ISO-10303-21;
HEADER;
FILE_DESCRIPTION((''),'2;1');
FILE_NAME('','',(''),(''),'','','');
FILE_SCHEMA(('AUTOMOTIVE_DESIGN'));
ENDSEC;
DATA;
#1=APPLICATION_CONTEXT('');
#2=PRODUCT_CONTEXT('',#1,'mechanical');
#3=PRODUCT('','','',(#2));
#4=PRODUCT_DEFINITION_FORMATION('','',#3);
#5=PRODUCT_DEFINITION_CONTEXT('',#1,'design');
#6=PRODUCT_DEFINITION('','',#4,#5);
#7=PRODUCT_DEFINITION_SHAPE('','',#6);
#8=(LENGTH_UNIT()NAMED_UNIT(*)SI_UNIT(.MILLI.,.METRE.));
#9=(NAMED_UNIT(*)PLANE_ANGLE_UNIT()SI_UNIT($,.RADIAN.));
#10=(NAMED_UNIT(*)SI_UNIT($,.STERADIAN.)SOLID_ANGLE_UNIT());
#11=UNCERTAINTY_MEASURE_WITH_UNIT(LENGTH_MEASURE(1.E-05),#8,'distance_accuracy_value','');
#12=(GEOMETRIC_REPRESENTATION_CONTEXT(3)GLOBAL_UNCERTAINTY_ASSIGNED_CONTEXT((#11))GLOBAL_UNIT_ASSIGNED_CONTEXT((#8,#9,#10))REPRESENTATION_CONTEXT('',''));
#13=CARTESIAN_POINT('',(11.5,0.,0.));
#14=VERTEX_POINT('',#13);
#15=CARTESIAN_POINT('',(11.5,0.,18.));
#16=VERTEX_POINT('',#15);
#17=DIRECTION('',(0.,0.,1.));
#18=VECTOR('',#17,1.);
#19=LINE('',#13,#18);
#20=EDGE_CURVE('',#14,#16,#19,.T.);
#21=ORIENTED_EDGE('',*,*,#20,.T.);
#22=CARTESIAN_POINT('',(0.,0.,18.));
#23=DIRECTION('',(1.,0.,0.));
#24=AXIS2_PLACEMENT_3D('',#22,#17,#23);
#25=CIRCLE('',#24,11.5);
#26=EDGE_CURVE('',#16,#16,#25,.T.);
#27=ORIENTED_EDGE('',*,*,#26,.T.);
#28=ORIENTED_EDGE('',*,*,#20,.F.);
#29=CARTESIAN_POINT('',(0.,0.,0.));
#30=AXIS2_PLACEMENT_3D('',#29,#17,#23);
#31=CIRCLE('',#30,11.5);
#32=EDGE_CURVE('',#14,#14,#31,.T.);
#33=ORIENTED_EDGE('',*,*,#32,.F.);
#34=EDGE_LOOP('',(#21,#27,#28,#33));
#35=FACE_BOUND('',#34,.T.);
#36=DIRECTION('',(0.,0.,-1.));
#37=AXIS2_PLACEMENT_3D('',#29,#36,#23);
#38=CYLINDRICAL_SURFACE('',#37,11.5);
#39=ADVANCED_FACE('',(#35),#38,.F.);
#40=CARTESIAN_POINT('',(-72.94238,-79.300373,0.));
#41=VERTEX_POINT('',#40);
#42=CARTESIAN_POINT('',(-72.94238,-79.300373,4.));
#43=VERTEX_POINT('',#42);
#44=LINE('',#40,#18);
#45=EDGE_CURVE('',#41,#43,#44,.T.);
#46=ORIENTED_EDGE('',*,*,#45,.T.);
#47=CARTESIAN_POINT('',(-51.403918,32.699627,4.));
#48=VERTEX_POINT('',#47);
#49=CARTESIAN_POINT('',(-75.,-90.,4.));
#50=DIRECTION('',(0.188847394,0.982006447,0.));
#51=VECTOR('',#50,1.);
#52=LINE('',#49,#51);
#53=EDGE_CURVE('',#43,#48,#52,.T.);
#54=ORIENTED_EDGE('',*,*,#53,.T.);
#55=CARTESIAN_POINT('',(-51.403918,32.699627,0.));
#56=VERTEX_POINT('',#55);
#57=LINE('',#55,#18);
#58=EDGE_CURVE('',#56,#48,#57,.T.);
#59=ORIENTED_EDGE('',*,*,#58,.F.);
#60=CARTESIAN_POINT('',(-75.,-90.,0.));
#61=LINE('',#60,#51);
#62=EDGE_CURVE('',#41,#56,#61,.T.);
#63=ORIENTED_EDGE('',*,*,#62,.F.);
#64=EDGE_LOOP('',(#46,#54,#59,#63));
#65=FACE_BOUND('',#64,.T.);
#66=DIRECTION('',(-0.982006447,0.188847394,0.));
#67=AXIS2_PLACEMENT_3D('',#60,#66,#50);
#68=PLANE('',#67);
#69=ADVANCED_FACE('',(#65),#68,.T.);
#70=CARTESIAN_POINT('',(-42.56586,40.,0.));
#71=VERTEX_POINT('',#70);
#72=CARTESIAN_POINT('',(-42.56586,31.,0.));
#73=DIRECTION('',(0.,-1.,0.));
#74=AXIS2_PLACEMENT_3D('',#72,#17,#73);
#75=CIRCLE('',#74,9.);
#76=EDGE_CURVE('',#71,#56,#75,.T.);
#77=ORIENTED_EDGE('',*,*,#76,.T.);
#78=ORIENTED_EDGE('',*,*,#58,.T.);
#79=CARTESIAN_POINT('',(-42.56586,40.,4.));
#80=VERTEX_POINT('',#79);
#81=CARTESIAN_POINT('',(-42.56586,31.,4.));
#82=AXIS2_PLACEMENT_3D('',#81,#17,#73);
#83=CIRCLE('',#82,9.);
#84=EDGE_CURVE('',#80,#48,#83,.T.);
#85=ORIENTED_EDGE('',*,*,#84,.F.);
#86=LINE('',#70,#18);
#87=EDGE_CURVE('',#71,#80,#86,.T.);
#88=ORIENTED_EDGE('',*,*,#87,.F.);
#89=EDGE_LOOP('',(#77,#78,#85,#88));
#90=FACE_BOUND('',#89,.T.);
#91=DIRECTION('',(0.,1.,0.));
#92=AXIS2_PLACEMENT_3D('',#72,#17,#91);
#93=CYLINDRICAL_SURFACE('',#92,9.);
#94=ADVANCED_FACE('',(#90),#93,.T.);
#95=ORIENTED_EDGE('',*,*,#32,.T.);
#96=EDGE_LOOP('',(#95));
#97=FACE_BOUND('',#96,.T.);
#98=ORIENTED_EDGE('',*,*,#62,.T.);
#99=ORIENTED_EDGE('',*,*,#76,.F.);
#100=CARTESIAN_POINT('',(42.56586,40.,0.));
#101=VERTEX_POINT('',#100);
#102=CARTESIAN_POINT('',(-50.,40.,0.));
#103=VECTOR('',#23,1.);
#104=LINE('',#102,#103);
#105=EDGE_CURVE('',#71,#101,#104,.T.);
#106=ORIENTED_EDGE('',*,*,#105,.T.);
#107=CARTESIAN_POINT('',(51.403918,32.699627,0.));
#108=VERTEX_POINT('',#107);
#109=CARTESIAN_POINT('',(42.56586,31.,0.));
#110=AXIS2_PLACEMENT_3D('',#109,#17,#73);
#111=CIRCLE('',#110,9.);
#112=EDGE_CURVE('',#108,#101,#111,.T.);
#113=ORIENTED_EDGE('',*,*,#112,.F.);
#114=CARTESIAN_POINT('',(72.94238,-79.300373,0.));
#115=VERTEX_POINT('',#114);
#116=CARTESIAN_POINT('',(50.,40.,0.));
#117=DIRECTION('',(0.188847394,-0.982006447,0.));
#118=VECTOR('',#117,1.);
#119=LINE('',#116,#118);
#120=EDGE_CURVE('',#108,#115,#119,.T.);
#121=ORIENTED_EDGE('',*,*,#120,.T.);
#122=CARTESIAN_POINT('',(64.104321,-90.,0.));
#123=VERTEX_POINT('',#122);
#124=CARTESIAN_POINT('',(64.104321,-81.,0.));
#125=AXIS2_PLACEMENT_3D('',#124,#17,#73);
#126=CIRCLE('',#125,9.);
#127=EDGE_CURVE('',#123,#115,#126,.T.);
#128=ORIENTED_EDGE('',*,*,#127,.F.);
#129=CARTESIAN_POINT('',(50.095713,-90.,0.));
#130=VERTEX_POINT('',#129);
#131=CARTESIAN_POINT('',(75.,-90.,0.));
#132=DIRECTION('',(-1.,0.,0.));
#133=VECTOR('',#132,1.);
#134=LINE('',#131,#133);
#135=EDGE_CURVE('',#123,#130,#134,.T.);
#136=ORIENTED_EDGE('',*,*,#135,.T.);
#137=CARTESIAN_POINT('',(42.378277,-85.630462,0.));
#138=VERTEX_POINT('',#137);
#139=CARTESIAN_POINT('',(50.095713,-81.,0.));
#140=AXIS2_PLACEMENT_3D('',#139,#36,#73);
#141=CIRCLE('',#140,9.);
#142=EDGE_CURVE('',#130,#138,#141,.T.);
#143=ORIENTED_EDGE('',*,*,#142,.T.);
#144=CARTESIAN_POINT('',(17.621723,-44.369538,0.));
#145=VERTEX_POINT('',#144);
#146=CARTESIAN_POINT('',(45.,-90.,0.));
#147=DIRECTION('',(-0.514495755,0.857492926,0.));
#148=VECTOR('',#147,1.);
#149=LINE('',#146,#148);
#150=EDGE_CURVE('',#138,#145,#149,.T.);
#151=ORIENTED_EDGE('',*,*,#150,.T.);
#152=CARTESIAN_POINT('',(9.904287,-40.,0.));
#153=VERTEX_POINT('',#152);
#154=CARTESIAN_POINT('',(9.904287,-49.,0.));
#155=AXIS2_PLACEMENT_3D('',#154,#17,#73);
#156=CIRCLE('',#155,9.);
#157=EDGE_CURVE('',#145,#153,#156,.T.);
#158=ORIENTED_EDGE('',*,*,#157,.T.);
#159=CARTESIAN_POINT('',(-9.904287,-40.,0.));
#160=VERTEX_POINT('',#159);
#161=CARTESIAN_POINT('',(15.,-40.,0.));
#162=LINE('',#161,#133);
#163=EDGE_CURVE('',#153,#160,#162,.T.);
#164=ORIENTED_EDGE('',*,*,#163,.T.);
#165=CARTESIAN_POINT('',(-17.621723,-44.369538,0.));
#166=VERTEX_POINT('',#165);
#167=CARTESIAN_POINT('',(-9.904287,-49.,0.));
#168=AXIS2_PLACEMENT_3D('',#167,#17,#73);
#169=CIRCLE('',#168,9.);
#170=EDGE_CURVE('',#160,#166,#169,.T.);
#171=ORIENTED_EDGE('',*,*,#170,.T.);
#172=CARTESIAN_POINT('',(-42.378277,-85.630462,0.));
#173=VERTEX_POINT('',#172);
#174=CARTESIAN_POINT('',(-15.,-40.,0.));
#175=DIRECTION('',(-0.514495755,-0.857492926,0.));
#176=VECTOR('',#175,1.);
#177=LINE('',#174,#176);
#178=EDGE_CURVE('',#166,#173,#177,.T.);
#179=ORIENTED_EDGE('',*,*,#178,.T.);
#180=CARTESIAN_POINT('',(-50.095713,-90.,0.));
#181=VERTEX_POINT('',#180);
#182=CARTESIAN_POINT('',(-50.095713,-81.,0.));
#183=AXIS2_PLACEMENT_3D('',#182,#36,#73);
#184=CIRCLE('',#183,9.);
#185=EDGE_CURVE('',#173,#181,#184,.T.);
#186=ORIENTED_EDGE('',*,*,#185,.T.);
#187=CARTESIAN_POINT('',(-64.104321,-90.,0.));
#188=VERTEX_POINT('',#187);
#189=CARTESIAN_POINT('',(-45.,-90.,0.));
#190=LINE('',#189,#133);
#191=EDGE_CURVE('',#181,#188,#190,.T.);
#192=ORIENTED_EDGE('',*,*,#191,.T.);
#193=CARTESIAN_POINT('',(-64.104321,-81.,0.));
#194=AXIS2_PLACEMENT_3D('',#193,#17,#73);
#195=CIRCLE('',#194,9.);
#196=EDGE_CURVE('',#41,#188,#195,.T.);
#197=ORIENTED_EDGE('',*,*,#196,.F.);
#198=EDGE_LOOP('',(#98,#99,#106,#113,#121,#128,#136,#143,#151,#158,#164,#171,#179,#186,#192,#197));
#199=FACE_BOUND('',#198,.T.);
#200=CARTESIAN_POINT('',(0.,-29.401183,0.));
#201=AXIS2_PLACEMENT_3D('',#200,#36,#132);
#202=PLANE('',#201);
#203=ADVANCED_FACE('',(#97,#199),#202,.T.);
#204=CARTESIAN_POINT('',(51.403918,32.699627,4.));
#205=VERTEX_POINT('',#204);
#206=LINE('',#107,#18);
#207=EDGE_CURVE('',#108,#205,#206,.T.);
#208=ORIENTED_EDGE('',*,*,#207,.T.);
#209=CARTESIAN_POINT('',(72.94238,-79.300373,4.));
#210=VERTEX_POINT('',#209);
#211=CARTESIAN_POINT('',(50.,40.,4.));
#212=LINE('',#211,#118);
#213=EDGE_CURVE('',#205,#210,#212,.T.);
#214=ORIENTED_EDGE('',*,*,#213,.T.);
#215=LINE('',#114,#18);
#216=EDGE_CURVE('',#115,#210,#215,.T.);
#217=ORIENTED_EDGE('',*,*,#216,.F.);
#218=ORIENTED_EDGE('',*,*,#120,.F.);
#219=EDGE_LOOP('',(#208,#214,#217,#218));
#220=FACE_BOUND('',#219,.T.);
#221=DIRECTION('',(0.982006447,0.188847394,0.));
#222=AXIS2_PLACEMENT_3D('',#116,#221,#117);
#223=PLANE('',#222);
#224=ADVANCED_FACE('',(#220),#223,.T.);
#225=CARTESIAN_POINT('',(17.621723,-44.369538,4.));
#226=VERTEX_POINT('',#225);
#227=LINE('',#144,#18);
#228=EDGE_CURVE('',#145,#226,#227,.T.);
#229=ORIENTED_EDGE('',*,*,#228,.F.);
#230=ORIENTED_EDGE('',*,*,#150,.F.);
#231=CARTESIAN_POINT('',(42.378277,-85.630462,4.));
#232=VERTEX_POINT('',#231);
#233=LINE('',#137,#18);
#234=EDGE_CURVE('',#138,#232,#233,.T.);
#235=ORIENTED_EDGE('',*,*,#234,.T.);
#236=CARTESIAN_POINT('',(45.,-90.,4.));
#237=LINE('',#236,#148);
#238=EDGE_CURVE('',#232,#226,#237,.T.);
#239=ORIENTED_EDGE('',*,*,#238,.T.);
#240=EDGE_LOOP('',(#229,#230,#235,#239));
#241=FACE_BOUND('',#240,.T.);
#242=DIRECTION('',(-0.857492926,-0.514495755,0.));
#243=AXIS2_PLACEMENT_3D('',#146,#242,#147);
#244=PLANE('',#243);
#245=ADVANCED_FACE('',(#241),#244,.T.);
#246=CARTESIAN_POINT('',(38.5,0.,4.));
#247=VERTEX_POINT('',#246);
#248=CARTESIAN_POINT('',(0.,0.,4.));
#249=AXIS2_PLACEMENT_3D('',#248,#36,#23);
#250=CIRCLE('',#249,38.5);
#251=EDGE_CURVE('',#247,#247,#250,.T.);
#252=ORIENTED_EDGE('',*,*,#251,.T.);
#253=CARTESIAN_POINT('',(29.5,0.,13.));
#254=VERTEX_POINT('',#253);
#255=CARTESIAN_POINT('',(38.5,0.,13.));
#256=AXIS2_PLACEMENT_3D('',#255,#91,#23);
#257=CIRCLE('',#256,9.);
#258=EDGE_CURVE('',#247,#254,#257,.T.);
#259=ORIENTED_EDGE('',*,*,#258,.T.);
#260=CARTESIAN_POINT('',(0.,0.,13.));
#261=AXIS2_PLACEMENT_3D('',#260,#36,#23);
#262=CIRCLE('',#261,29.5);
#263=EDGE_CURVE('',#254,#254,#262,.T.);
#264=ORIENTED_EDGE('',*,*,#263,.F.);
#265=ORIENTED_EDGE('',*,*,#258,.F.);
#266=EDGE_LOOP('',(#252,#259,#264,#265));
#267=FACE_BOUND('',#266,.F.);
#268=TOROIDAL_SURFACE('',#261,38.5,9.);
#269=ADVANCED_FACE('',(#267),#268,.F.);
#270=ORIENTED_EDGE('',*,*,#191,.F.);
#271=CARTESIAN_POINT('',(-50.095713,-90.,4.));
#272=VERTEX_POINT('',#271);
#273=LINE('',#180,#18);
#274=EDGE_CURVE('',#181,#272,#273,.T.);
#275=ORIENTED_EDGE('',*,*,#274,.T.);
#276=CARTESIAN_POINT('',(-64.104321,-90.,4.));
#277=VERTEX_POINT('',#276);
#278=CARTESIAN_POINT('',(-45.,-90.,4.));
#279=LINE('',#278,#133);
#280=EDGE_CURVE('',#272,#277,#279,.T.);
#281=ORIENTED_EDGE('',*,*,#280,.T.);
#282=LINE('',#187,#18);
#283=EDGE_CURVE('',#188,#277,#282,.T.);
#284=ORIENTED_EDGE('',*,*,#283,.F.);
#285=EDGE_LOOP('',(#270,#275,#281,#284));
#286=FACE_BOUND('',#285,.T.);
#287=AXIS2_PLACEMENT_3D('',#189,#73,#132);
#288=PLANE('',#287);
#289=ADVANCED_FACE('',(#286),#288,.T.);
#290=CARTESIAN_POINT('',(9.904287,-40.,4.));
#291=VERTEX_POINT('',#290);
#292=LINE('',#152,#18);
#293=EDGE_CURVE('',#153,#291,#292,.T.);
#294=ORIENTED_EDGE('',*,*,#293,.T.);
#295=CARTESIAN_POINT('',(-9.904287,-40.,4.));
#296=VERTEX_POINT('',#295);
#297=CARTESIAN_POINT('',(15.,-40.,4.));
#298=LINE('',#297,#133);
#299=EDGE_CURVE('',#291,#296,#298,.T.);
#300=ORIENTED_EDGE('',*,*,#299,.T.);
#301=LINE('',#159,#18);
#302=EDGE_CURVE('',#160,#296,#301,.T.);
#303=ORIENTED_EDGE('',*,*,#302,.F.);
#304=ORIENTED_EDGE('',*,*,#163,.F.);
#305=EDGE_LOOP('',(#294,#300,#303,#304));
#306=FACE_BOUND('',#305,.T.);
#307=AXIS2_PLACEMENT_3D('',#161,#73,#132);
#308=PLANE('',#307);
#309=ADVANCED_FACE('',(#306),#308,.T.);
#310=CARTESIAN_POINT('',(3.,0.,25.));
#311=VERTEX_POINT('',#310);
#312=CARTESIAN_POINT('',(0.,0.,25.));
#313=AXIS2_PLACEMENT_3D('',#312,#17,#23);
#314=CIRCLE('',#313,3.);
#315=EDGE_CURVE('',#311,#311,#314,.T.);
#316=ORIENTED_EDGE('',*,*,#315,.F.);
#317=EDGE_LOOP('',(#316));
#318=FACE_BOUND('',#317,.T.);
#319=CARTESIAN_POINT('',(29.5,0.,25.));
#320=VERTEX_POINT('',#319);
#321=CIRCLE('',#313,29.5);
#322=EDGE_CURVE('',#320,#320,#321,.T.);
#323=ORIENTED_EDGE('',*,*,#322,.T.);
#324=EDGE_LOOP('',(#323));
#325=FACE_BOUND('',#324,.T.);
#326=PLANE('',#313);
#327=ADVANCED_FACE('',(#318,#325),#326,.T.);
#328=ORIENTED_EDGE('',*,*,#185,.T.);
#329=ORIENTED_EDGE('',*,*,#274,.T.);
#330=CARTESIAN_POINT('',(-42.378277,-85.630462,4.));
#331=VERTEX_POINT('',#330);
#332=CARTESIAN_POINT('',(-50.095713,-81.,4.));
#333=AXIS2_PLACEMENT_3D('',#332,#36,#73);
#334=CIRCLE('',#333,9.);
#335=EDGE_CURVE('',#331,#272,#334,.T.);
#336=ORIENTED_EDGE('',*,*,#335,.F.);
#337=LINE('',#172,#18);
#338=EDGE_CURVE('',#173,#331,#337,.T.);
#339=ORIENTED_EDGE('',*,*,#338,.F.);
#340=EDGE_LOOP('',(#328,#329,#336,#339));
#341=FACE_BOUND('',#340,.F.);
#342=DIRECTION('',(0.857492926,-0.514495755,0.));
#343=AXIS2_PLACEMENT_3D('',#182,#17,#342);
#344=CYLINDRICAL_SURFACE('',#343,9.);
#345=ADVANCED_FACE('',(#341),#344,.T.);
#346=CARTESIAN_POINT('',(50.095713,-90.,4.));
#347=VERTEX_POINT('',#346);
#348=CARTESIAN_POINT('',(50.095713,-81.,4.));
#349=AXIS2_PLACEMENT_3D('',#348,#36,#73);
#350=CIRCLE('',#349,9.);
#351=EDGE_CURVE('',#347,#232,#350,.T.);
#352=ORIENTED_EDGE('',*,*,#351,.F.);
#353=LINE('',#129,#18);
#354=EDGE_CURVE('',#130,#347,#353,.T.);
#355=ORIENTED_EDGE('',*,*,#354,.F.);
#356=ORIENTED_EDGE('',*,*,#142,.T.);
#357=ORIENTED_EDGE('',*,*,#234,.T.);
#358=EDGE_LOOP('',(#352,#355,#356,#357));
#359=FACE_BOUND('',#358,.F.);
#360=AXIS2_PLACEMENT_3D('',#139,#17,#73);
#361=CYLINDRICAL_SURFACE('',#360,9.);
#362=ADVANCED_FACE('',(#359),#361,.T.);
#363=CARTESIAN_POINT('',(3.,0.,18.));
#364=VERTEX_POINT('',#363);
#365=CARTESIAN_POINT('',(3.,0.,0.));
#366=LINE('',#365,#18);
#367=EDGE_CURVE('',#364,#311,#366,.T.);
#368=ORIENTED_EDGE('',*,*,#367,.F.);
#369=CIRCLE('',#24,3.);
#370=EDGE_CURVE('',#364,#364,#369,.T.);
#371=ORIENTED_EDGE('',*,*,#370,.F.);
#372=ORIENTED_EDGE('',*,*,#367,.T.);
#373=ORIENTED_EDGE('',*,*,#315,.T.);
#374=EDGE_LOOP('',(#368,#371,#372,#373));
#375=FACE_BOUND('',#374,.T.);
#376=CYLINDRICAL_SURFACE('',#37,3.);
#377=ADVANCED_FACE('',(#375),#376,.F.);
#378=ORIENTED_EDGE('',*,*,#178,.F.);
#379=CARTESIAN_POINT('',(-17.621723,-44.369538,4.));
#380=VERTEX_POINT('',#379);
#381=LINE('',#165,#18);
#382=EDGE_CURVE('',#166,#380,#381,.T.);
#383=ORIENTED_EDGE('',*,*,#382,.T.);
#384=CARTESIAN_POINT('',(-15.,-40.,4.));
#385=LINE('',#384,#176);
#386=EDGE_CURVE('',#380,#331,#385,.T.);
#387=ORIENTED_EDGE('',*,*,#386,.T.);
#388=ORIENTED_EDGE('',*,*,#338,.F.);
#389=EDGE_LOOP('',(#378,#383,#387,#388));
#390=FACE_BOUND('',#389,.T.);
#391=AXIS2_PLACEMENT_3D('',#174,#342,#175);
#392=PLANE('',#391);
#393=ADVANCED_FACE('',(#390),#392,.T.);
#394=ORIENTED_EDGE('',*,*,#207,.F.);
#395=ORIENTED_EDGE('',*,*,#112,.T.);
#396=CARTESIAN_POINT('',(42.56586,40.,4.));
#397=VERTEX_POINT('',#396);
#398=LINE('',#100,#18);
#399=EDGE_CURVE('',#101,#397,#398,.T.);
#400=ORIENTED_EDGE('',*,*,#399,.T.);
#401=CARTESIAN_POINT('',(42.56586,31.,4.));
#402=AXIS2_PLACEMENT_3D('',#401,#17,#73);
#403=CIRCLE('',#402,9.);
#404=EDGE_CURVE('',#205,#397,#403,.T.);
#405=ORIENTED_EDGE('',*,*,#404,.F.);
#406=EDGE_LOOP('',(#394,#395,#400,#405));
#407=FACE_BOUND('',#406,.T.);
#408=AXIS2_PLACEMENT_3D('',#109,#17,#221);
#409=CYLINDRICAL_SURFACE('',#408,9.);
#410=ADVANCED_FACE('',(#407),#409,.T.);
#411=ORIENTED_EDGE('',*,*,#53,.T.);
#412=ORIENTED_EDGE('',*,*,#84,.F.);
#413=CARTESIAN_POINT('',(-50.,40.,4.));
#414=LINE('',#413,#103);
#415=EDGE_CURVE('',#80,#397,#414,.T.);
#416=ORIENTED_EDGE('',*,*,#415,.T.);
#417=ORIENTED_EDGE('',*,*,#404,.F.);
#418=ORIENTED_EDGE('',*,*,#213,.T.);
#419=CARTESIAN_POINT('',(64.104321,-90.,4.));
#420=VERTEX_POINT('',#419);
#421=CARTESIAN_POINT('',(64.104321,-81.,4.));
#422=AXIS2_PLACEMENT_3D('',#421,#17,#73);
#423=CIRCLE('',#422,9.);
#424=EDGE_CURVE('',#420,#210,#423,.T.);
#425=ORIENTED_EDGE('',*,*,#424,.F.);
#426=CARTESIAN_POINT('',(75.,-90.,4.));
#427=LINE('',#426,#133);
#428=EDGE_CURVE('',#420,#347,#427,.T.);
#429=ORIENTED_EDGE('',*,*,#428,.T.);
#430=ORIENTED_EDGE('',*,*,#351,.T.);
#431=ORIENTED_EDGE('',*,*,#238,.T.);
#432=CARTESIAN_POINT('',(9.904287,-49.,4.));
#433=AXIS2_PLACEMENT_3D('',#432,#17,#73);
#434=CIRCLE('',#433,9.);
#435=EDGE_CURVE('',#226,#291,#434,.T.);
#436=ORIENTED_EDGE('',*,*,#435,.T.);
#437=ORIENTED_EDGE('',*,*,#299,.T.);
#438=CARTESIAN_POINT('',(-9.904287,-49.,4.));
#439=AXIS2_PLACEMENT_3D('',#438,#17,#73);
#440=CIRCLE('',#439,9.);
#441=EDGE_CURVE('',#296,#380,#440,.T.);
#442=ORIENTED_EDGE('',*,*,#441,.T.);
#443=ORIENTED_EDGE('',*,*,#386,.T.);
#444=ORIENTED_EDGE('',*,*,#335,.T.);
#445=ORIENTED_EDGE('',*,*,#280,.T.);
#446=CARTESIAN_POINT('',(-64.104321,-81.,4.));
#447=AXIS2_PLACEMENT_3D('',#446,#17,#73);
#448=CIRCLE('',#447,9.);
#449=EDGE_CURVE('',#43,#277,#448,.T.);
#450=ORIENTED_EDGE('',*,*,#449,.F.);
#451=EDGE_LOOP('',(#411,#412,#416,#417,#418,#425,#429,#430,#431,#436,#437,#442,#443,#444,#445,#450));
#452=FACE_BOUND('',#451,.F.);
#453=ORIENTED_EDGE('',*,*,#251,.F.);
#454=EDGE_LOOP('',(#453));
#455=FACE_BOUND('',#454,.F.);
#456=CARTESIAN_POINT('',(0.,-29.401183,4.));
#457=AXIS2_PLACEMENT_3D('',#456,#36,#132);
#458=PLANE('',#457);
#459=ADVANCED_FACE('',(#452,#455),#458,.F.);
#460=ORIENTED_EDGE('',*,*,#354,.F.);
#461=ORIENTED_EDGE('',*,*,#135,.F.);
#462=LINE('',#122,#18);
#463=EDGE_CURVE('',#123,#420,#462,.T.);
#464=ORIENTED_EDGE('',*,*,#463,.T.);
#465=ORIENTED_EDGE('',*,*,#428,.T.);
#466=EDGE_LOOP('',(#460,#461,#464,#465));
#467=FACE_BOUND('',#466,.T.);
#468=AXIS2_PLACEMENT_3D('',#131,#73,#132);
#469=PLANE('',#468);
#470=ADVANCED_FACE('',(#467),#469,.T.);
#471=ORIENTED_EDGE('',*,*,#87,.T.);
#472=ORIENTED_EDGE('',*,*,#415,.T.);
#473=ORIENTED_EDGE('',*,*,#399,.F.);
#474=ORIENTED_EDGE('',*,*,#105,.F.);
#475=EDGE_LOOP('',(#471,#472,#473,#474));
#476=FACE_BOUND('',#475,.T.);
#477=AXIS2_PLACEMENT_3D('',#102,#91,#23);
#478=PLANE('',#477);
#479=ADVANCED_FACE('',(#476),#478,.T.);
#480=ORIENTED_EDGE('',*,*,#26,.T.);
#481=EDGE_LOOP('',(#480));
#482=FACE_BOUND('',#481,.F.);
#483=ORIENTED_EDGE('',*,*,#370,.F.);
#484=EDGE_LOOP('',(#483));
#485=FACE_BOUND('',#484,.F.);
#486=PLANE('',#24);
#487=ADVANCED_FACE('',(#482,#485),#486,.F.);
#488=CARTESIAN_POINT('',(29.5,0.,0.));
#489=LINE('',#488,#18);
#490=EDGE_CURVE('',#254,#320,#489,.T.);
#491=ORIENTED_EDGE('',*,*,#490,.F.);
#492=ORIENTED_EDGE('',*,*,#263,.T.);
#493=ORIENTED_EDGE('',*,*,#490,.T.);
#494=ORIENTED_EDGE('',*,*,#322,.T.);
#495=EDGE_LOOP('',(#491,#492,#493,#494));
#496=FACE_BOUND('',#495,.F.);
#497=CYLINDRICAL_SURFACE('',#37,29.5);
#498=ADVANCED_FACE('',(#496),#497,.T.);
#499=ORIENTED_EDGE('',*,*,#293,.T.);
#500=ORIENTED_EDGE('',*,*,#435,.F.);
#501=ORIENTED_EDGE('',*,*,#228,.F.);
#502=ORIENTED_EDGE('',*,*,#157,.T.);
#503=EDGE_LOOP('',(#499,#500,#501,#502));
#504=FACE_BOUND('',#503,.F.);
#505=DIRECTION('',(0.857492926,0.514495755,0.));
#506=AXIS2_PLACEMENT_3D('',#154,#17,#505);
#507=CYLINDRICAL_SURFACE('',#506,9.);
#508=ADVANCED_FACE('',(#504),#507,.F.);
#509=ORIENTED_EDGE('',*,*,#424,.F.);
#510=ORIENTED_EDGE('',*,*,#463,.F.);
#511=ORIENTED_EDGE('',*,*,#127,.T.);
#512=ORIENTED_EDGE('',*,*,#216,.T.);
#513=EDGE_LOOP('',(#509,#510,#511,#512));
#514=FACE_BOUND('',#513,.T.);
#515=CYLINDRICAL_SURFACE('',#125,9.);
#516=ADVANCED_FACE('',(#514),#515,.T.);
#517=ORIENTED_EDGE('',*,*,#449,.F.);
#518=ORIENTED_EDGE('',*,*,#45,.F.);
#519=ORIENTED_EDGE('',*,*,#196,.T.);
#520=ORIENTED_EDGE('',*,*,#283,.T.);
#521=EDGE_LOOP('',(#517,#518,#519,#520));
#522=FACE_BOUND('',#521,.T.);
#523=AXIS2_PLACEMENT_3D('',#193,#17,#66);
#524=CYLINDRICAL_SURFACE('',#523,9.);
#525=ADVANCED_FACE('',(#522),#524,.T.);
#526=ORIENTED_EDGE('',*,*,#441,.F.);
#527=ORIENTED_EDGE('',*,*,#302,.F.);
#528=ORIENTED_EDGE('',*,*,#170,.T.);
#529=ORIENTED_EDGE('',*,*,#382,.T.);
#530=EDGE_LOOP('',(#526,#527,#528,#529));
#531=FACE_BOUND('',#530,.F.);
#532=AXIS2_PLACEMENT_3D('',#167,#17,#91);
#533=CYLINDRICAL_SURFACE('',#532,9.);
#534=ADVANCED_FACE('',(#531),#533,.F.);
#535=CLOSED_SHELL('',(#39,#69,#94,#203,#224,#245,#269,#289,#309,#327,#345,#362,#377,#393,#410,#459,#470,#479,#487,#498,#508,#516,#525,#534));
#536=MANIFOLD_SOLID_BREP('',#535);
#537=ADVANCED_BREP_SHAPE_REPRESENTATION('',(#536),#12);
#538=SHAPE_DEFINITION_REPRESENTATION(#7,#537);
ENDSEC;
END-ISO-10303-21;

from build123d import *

# Parameters (mm, degrees)
SKETCH_R      = 3
PAD_DEPTH     = 4
SKETCH001_R   = 29.5
SKETCH001_R_2 = 3
PAD001_DEPTH  = 25
SKETCH002_R   = 11.5
SKETCH002_R_2 = 3
POCKET_DEPTH  = 18
FILLET_R      = 9
FILLET001_R   = 9


with BuildPart() as part:
    # Sketch → Pad (new body)
    with BuildSketch(Plane.XY):
        Polygon((75, -90), (45, -90), (15, -40), (-15, -40), (-45, -90), (-75, -90), (-50, 40), (50, 40), align=None)
        Circle(SKETCH_R, mode=Mode.SUBTRACT)
    extrude(amount=PAD_DEPTH)

    # Sketch001 → Pad001 (join)
    with BuildSketch(Plane.XY):
        Circle(SKETCH001_R)
        Circle(SKETCH001_R_2, mode=Mode.SUBTRACT)
    extrude(amount=PAD001_DEPTH)

    # Sketch002 → Pocket (cut)
    with BuildSketch(Plane.XY):
        Circle(SKETCH002_R)
        Circle(SKETCH002_R_2, mode=Mode.SUBTRACT)
    extrude(amount=POCKET_DEPTH, mode=Mode.SUBTRACT)

    # Fillet
    fillet_edges = [part.edges().sort_by_distance(p)[0] for p in [
        (-29.5, 0, 4),
    ]]
    fillet(fillet_edges, radius=FILLET_R)

    # Fillet001
    fillet001_edges = [part.edges().sort_by_distance(p)[0] for p in [
        (-75, -90, 2),
        (-45, -90, 2),
        (-15, -40, 2),
        (15, -40, 2),
        (45, -90, 2),
        (75, -90, 2),
        (50, 40, 2),
        (-50, 40, 2),
    ]]
    fillet(fillet001_edges, radius=FILLET001_R)


solid = part.part
